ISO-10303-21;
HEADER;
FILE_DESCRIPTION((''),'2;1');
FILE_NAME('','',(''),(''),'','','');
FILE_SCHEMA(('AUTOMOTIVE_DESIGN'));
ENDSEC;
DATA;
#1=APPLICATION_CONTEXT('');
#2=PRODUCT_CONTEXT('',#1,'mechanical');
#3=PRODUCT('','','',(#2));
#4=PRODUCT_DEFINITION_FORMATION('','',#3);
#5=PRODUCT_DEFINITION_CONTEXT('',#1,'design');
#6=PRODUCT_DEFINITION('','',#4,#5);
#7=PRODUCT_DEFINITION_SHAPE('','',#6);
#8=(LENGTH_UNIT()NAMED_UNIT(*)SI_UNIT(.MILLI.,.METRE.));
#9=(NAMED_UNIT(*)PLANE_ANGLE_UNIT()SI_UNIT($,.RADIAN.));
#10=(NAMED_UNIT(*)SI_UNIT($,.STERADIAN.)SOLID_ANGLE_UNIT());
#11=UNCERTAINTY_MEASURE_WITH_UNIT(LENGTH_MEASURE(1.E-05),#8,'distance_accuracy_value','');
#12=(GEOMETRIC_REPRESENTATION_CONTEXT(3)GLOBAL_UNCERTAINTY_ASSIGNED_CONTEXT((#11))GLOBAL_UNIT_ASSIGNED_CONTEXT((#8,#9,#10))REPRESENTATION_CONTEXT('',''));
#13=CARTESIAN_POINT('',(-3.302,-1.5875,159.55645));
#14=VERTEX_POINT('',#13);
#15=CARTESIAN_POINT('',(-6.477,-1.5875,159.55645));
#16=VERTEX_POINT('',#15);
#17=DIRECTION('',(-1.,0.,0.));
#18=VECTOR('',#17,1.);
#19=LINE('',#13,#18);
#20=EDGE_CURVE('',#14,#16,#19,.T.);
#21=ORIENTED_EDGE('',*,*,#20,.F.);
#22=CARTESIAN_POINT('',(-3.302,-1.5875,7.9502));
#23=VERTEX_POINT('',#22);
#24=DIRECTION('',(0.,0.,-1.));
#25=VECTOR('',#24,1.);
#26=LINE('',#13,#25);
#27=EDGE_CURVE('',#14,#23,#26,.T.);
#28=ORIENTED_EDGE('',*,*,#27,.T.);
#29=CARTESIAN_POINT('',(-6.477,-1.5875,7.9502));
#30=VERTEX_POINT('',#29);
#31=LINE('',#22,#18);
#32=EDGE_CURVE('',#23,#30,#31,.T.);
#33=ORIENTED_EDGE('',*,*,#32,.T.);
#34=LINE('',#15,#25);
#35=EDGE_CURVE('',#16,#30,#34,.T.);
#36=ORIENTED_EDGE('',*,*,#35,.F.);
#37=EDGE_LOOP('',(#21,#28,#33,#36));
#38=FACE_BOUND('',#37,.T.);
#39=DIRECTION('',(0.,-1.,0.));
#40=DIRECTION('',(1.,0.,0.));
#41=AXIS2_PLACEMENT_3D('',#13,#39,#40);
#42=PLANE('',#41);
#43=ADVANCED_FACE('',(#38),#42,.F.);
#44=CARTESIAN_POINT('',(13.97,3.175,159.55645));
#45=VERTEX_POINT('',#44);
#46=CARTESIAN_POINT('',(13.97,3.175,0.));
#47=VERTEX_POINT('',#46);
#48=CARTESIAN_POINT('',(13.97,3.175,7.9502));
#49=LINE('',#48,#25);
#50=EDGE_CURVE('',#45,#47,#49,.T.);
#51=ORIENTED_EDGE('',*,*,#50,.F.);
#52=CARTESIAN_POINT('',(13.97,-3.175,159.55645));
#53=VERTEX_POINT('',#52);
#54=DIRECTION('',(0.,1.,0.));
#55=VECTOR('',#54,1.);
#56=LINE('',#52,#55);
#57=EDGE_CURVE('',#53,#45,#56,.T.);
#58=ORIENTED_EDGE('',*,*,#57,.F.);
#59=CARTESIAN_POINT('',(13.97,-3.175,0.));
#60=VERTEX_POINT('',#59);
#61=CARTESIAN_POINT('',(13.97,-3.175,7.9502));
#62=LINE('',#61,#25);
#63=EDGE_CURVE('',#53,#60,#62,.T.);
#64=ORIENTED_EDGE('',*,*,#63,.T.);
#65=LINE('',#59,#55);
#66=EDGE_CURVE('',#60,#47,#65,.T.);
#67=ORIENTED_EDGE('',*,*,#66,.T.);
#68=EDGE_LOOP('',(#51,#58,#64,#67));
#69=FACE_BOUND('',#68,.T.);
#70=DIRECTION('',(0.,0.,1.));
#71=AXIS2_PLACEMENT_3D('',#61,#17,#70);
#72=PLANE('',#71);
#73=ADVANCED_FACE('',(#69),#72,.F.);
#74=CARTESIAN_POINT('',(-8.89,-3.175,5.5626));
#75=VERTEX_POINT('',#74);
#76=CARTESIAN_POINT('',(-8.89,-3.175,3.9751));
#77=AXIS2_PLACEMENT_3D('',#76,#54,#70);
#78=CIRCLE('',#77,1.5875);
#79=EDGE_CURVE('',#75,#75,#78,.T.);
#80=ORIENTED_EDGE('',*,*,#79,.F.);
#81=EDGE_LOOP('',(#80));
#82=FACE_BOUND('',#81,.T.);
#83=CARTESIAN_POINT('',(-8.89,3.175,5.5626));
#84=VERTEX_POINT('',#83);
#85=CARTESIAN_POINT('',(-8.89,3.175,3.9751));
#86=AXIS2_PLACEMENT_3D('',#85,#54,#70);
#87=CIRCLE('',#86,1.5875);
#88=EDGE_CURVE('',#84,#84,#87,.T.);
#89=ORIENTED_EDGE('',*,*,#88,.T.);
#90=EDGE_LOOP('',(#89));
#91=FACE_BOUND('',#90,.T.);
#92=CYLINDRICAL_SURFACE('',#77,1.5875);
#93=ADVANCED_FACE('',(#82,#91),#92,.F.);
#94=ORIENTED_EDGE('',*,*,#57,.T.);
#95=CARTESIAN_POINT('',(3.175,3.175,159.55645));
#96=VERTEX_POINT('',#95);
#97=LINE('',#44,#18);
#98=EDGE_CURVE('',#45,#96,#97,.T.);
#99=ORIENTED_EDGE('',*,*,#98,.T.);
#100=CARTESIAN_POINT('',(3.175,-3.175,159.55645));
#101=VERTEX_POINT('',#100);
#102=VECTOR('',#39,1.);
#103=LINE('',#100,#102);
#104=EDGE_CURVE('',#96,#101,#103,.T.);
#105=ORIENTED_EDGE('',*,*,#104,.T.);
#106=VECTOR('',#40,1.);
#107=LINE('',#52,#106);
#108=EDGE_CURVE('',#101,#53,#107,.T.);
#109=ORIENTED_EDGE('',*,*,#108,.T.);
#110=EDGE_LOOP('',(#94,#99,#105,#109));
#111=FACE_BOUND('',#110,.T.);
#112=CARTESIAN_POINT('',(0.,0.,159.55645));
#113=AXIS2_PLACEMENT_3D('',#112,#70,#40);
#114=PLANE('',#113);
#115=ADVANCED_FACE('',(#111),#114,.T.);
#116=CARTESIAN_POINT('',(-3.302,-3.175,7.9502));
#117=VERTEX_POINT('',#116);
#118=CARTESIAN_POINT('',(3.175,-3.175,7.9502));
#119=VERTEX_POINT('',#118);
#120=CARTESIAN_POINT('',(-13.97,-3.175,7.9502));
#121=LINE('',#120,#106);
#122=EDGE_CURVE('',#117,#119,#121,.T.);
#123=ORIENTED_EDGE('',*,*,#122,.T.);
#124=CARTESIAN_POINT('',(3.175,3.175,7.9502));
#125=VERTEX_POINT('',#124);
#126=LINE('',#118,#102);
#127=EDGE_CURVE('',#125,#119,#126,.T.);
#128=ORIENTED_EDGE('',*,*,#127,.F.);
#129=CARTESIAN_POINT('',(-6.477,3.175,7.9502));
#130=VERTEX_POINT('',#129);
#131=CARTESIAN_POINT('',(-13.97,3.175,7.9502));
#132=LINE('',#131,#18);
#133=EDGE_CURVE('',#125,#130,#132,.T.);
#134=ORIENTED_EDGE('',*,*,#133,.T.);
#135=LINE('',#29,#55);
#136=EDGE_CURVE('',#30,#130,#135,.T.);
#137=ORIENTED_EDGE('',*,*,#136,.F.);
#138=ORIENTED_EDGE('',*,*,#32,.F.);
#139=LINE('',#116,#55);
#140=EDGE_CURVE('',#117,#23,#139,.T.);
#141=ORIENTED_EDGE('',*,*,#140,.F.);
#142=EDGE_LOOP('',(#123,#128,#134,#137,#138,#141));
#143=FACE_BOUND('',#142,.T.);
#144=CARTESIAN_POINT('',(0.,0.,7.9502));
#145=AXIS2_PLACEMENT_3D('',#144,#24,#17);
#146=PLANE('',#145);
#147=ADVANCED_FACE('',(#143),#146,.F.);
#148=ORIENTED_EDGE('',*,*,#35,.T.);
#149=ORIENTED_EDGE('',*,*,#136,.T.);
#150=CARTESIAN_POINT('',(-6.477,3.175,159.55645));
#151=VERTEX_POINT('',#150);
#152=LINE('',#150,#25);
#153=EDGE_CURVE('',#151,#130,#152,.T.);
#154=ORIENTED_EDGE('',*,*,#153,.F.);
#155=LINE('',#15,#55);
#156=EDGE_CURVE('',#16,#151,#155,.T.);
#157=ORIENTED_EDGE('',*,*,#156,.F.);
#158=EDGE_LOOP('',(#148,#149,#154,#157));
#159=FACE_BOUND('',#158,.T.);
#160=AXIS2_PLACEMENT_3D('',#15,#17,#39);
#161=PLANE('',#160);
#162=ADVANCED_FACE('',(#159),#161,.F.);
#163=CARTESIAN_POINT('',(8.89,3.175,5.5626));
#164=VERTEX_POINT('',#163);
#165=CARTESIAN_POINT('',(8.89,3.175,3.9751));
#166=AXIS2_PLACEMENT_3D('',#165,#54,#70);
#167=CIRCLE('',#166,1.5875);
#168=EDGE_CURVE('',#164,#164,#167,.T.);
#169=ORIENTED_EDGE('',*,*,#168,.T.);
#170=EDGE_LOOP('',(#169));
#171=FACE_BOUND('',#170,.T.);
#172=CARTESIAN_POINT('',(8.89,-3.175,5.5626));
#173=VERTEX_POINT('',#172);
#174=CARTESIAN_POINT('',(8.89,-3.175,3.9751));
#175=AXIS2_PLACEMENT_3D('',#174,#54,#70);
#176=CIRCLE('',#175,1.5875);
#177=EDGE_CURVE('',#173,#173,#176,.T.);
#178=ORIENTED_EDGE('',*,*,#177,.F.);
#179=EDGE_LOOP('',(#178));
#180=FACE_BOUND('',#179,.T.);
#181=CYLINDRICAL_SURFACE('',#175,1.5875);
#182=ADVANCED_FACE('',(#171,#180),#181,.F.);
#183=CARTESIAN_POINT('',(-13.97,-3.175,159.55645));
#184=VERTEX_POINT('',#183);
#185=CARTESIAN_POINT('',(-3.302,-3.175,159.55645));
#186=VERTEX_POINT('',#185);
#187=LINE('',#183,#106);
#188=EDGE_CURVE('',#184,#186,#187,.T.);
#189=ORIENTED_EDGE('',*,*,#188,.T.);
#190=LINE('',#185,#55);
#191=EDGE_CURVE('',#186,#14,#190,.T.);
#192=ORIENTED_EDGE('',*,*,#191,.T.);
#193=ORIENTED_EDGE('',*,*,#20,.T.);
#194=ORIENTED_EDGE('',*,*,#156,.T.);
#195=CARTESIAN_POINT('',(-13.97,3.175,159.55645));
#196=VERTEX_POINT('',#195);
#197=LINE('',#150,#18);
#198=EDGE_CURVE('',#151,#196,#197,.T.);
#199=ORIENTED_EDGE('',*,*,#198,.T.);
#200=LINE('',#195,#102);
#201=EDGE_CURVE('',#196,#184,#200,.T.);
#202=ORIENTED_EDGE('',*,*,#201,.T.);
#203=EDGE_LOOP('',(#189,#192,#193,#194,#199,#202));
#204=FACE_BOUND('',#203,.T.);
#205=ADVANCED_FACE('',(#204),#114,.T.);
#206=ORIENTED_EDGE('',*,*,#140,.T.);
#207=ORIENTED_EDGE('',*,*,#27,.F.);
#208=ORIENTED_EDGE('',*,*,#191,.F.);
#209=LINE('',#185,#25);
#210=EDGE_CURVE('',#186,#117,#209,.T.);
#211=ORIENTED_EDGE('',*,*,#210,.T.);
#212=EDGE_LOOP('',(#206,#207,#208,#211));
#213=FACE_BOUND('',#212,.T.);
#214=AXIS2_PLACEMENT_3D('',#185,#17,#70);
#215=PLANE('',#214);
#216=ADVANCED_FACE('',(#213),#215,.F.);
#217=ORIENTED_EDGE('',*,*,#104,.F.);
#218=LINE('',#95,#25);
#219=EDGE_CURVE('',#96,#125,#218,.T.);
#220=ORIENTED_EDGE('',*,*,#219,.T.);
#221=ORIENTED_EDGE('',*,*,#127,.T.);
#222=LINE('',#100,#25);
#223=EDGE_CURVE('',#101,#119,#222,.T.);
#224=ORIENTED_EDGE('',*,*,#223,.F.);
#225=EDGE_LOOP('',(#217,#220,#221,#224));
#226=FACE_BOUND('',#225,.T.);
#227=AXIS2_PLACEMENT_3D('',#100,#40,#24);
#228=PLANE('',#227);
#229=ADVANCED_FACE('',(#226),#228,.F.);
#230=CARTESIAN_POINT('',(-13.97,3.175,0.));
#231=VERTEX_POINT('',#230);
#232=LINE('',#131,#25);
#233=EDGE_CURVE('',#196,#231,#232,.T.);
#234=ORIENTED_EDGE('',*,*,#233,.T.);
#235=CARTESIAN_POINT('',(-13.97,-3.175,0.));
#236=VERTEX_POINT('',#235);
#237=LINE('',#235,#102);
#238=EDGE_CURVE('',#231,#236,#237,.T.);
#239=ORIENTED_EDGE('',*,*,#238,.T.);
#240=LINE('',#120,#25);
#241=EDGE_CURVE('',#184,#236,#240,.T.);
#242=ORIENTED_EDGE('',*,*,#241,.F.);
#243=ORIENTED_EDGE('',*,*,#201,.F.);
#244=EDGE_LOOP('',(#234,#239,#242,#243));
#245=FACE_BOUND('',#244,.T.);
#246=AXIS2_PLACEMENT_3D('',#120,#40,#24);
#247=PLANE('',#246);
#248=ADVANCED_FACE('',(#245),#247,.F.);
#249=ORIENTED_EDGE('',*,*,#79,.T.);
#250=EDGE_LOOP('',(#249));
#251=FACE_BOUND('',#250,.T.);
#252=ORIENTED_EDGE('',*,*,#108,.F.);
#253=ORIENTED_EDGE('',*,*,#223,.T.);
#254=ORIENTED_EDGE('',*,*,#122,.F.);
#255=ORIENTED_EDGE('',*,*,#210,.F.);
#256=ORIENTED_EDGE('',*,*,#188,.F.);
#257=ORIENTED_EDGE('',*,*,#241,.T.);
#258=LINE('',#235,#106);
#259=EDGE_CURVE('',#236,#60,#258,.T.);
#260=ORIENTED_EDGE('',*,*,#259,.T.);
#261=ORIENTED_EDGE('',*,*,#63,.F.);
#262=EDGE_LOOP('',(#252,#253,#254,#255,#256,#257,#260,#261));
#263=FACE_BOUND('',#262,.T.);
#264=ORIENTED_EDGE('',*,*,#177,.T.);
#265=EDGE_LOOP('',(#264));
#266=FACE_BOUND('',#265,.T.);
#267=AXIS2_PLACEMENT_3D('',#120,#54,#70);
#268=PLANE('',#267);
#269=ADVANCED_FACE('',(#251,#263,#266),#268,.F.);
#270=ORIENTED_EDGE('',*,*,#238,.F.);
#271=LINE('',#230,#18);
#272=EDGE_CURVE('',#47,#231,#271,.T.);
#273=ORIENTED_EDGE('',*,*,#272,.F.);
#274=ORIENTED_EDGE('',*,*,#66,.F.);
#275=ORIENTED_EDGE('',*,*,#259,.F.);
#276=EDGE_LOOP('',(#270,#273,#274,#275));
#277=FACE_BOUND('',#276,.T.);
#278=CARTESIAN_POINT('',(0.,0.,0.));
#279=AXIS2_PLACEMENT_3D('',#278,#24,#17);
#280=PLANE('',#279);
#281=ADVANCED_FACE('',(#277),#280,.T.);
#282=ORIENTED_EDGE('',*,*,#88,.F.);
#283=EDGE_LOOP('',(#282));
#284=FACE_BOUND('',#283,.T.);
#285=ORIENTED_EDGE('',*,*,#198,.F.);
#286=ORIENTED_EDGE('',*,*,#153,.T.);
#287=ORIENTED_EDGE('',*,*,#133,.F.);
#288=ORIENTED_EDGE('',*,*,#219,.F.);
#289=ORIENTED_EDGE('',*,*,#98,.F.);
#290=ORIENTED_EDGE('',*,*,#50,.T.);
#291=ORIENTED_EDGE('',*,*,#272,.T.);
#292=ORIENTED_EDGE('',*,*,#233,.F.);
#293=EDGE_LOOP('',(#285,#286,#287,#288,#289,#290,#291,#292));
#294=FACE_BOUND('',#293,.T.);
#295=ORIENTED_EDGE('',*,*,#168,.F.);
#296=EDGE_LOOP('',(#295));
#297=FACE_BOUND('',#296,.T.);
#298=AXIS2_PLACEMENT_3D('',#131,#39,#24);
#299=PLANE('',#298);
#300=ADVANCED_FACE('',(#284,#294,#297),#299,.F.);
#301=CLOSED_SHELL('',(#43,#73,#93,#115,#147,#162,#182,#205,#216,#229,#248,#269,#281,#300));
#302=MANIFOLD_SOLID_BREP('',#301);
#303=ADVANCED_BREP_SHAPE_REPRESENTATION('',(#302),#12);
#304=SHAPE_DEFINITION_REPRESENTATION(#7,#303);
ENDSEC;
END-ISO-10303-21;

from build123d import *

# Parameters (mm, degrees)
SKETCH1_W           = 27.94
SKETCH1_H           = 6.35
BOSS_EXTRUDE1_DEPTH = 7.9502
SKETCH2_W           = 10.795
SKETCH2_H           = 6.35
BOSS_EXTRUDE2_DEPTH = 151.60625
SKETCH4_R           = 1.5875
CUT_EXTRUDE1_DEPTH  = 161.292682729


with BuildPart() as part:
    # Sketch1 → Boss-Extrude1 (new body)
    with BuildSketch(Plane.XY):
        Rectangle(SKETCH1_W, SKETCH1_H)
    extrude(amount=BOSS_EXTRUDE1_DEPTH)

    # Sketch2 → Boss-Extrude2 (add)
    with BuildSketch(Plane.XY.offset(7.9502)):
        Polygon((-3.302, -3.175), (-3.302, -1.5875), (-6.477, -1.5875), (-6.477, 3.175), (-13.97, 3.175), (-13.97, -3.175), align=None)
        with Locations((8.5725, 0)):
            Rectangle(SKETCH2_W, SKETCH2_H)
    extrude(amount=BOSS_EXTRUDE2_DEPTH)

    # Sketch4 → Cut-Extrude1 (cut, through all)
    with BuildSketch(Plane(origin=(0, 3.175, 0), x_dir=(1, 0, 0), z_dir=(0, 1, 0))):
        with Locations(Location((-8.89, -3.9751, 0), (0, 0, 270))):
            Circle(SKETCH4_R)
        with Locations(Location((8.89, -3.9751, 0), (0, 0, 270))):
            Circle(SKETCH4_R)
    extrude(amount=-CUT_EXTRUDE1_DEPTH, mode=Mode.SUBTRACT)


solid = part.part
